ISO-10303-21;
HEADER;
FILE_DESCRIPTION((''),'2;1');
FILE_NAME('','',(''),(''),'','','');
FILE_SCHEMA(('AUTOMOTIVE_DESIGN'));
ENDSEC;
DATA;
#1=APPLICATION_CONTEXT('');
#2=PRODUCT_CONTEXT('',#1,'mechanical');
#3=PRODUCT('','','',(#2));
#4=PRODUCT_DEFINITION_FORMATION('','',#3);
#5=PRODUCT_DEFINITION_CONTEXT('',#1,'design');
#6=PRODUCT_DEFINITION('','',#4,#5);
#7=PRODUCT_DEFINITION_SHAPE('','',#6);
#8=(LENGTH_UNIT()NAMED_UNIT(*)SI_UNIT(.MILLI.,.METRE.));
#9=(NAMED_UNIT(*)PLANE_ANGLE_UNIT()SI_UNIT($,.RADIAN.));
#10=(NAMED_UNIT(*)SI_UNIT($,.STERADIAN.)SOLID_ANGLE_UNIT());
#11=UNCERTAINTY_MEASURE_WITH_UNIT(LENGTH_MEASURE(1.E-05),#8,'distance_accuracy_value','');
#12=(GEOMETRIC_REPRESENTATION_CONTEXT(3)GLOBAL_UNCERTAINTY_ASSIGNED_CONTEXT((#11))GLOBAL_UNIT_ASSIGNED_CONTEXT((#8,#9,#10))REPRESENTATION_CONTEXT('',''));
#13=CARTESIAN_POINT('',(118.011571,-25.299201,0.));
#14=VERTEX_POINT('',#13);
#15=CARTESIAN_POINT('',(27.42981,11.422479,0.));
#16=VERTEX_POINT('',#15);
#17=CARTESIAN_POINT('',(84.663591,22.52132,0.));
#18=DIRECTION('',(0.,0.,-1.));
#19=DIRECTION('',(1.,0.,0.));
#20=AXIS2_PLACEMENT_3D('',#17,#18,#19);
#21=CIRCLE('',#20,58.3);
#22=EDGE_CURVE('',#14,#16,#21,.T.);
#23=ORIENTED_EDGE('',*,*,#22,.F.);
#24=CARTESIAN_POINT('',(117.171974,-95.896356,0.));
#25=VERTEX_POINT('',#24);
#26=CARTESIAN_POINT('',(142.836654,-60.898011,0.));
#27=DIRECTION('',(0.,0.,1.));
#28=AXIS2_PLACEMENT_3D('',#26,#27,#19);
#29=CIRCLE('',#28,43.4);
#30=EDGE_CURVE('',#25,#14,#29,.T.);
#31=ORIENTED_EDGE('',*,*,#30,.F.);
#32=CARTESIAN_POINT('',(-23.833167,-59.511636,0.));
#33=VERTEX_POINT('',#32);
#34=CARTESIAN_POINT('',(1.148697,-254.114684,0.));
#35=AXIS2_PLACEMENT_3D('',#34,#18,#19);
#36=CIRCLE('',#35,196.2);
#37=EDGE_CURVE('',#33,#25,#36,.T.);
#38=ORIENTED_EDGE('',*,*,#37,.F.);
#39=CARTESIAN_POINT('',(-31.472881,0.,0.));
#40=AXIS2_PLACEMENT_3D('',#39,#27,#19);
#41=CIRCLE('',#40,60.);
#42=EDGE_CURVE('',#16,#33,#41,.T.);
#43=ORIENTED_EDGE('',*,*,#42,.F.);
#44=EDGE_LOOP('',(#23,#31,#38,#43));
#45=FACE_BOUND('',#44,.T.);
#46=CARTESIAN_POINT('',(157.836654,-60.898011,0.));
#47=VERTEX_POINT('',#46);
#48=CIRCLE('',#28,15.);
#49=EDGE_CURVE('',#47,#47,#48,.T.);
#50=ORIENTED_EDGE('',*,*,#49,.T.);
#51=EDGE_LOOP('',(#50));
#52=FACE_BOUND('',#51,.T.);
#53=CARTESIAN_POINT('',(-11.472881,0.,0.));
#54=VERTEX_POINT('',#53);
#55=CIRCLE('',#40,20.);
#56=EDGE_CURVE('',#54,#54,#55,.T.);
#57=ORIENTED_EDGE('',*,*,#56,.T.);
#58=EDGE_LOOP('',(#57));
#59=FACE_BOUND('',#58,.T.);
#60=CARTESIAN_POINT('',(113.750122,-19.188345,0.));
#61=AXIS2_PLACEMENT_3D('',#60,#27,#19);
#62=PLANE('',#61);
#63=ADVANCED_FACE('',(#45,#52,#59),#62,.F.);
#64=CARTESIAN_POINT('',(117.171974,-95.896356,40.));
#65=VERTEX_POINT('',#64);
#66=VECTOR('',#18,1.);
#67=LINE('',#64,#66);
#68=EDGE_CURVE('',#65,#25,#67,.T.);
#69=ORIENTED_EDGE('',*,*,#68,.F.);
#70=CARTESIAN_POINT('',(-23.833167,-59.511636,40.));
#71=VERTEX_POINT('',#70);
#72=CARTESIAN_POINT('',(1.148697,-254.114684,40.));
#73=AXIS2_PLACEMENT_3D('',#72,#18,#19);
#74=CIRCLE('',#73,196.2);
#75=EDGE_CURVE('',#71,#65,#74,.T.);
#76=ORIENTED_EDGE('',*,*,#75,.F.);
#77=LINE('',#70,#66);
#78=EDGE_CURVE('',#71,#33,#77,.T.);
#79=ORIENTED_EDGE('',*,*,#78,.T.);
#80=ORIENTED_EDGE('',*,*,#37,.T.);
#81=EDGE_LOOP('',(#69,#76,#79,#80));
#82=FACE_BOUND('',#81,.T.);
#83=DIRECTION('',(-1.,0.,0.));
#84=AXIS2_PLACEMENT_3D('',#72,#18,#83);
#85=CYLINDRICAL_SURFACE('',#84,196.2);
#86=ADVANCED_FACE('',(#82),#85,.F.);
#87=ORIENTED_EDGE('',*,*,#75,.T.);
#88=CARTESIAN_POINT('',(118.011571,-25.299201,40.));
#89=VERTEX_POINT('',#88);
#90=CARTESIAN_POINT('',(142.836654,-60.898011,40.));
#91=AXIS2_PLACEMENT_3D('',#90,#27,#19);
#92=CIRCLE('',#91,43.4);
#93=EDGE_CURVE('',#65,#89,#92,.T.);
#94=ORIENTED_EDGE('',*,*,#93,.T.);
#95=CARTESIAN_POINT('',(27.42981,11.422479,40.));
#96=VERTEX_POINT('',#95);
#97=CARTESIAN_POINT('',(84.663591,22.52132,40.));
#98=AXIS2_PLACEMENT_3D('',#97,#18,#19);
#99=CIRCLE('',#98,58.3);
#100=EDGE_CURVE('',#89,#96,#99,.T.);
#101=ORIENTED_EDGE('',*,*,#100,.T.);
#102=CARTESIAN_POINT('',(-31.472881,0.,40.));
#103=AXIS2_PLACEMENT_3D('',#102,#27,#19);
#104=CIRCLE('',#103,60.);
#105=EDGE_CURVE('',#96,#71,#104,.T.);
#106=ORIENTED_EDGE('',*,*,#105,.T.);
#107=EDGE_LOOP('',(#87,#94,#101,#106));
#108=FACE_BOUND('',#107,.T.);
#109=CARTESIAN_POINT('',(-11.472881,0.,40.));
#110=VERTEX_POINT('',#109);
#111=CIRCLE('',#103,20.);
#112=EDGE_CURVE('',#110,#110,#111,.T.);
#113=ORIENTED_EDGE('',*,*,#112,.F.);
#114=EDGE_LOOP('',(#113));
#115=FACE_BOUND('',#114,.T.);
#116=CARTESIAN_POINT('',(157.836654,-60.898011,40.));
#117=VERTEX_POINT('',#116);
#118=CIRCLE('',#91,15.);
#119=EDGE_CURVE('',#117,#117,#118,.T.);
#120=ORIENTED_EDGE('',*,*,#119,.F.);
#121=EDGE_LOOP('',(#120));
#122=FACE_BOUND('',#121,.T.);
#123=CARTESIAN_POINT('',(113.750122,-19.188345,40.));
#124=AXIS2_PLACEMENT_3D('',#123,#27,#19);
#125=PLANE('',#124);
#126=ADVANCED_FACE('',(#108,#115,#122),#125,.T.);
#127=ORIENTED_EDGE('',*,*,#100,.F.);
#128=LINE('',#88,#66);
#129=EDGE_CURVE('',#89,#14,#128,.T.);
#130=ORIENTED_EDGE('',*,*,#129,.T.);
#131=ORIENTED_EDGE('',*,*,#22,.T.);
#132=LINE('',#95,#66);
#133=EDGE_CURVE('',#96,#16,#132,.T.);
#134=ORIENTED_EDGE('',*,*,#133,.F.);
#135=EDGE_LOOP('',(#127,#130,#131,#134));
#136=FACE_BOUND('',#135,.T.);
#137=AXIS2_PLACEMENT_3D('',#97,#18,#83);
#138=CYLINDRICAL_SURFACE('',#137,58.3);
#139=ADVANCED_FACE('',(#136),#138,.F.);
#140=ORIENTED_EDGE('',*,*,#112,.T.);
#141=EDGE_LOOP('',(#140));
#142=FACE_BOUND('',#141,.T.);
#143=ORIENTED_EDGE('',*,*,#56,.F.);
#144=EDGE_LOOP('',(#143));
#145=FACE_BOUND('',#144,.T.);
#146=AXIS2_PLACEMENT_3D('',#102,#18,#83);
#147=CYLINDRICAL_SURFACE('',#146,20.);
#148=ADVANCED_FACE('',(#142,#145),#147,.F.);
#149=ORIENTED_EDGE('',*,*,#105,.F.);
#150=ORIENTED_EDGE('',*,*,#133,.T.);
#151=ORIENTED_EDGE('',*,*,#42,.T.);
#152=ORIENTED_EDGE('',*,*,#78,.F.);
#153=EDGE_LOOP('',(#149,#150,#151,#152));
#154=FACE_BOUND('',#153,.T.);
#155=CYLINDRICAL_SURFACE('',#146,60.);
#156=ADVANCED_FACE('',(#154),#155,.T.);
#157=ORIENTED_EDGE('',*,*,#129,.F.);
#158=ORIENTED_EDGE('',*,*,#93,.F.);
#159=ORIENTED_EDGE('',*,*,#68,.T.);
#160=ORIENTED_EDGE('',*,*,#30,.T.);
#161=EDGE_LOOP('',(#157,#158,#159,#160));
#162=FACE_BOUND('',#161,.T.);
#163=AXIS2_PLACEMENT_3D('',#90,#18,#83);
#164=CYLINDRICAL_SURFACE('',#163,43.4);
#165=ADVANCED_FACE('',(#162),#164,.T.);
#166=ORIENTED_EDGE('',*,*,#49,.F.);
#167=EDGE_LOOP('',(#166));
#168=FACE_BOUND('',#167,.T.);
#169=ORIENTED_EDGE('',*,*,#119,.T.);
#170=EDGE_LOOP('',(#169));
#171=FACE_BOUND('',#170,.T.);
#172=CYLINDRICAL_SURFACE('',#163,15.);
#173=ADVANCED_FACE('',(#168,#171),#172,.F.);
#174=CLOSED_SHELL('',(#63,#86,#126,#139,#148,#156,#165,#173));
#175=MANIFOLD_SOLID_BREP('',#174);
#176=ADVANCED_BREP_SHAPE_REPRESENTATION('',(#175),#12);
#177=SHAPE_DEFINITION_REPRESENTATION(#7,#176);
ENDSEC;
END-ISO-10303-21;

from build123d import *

# Parameters (mm, degrees)
SKETCH_1_R      = 20
SKETCH_1_R_2    = 15
EXTRUDE_1_DEPTH = 40


with BuildPart() as part:
    # 草图1 → 凸台-拉伸1 (new body)
    with BuildSketch(Plane.XY):
        with BuildLine():
            ThreePointArc((27.429809999, 11.422478676), (-80.102964492, 35.144202339), (-23.833167055, -59.51163562))
            ThreePointArc((-23.833167055, -59.51163562), (50.170086992, -64.137466239), (117.171973657, -95.89635636))
            ThreePointArc((117.171973657, -95.89635636), (186.23358476, -61.414121354), (118.011570955, -25.299200732))
            ThreePointArc((118.011570955, -25.299200732), (62.760319476, -31.507715142), (27.429809999, 11.422478676))
        make_face()
        with Locations((-31.472880779, 0)):
            Circle(SKETCH_1_R, mode=Mode.SUBTRACT)
        with Locations((142.83665365, -60.898010673)):
            Circle(SKETCH_1_R_2, mode=Mode.SUBTRACT)
    extrude(amount=EXTRUDE_1_DEPTH)


solid = part.part
